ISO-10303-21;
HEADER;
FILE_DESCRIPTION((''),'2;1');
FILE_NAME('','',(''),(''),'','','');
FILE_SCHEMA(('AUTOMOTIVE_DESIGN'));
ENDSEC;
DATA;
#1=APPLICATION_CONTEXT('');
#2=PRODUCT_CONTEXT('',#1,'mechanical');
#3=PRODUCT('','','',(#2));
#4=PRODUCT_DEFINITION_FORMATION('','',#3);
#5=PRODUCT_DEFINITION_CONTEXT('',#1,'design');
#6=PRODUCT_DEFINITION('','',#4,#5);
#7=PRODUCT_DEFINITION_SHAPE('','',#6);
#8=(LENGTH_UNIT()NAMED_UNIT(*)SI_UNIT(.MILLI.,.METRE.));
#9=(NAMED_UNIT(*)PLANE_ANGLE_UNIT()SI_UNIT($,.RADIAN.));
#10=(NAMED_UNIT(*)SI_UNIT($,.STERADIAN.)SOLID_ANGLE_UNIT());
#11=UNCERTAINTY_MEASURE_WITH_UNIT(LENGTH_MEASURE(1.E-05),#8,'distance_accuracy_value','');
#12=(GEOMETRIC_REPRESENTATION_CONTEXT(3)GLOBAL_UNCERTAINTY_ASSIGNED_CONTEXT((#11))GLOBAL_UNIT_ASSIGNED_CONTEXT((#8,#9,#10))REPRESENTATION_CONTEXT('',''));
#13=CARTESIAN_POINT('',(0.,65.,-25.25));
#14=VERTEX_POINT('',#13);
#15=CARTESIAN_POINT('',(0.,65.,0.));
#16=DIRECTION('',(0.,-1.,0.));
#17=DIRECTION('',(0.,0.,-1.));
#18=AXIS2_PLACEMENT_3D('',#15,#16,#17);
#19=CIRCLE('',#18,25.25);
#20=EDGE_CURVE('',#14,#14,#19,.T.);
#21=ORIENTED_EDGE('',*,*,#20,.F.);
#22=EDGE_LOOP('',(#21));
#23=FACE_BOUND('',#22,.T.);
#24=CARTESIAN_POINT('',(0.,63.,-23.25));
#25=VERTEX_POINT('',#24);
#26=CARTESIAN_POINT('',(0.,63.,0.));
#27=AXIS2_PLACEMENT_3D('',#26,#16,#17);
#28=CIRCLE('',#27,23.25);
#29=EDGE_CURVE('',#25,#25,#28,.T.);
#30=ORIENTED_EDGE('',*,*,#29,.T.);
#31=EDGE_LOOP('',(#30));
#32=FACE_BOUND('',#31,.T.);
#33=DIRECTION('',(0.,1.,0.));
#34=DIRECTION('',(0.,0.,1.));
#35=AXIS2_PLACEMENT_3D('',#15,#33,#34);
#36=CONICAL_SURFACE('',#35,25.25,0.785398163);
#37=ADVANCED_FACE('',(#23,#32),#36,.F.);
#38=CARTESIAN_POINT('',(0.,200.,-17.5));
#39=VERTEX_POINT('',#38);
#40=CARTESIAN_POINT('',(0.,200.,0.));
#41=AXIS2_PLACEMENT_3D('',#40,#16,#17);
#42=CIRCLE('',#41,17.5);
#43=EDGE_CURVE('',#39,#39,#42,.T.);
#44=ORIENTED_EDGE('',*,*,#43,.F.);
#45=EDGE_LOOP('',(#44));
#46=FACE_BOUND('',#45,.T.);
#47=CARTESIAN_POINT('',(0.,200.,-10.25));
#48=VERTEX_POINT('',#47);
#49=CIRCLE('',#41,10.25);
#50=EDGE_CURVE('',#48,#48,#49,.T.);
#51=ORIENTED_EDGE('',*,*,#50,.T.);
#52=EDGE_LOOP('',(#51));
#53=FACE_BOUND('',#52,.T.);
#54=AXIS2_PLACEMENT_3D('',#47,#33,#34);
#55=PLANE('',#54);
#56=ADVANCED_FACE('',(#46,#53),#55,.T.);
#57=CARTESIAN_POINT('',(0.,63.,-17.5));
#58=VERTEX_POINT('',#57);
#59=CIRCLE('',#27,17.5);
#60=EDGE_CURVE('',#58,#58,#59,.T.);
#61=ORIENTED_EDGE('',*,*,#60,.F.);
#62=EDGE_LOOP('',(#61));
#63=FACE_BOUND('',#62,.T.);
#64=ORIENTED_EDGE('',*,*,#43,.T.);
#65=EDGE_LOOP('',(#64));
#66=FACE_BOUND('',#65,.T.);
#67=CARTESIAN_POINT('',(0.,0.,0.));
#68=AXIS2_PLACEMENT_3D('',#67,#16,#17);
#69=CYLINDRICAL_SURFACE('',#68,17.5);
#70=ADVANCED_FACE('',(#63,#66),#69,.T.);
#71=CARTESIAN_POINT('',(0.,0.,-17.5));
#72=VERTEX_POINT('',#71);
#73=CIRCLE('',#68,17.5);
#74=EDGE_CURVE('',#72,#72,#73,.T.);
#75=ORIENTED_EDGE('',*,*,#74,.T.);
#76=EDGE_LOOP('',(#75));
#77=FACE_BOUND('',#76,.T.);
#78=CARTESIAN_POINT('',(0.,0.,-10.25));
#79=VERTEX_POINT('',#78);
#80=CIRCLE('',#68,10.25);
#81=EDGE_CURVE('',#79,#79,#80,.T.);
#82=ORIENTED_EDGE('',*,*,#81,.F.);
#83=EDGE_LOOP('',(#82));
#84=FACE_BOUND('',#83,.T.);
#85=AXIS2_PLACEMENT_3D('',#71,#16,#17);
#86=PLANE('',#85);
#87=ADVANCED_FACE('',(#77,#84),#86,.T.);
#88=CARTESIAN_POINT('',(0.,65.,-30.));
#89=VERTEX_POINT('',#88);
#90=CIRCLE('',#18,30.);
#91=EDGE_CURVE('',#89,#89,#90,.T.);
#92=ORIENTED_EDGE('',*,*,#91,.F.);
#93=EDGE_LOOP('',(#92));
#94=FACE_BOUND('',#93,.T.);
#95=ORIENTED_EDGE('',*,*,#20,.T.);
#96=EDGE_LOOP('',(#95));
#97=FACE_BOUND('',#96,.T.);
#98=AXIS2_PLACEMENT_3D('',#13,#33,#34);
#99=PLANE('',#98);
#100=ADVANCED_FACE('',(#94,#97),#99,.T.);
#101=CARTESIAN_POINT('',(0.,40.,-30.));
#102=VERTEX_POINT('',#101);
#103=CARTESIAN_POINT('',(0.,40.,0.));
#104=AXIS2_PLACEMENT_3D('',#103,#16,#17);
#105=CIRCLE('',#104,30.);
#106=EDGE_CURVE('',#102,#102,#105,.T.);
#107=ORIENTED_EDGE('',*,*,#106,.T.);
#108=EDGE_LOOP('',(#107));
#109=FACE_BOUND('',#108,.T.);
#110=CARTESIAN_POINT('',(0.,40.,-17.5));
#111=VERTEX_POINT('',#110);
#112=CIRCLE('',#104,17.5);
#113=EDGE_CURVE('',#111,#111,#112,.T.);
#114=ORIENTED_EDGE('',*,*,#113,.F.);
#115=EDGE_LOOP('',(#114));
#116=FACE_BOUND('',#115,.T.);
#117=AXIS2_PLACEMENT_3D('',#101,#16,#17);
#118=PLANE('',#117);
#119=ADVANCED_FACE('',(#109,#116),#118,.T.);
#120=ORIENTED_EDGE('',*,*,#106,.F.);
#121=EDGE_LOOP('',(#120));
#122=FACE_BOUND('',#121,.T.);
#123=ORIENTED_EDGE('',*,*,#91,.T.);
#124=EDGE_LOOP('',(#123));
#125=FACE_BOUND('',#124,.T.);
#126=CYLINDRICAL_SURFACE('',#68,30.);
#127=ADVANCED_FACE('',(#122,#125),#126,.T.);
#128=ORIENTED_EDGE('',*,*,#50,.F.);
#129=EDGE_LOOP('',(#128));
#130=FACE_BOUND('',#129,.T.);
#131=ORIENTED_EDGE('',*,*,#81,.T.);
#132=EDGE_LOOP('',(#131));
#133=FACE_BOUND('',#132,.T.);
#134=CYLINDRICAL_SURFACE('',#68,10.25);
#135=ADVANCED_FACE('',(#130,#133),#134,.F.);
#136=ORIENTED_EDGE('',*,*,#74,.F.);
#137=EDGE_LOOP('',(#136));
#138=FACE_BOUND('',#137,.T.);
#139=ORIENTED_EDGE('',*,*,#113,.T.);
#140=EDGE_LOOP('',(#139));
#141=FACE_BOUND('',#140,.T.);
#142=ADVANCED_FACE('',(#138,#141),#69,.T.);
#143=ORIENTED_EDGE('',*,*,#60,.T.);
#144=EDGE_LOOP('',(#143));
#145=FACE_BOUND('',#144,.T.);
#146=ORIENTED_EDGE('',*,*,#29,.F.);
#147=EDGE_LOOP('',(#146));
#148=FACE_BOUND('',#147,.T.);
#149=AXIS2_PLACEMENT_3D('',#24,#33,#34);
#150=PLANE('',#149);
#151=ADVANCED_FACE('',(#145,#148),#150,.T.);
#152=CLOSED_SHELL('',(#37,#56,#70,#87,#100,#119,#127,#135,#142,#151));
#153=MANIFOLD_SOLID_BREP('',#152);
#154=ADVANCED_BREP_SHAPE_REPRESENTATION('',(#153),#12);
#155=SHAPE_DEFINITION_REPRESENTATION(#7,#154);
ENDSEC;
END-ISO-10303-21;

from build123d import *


with BuildPart() as part:
    # Sketch1 → Revolve1 (revolve)
    with BuildSketch(Plane(origin=(0, 0, 0), x_dir=(0, 0, -1), z_dir=(1, 0, 0))):
        Polygon((10.25, 0), (10.25, 200), (17.5, 200), (17.5, 63), (23.25, 63), (25.25, 65), (30, 65), (30, 40), (17.5, 40), (17.5, 0), align=None)
    revolve(axis=Axis((0, 0, 0), (0, 1, 0)))


solid = part.part
